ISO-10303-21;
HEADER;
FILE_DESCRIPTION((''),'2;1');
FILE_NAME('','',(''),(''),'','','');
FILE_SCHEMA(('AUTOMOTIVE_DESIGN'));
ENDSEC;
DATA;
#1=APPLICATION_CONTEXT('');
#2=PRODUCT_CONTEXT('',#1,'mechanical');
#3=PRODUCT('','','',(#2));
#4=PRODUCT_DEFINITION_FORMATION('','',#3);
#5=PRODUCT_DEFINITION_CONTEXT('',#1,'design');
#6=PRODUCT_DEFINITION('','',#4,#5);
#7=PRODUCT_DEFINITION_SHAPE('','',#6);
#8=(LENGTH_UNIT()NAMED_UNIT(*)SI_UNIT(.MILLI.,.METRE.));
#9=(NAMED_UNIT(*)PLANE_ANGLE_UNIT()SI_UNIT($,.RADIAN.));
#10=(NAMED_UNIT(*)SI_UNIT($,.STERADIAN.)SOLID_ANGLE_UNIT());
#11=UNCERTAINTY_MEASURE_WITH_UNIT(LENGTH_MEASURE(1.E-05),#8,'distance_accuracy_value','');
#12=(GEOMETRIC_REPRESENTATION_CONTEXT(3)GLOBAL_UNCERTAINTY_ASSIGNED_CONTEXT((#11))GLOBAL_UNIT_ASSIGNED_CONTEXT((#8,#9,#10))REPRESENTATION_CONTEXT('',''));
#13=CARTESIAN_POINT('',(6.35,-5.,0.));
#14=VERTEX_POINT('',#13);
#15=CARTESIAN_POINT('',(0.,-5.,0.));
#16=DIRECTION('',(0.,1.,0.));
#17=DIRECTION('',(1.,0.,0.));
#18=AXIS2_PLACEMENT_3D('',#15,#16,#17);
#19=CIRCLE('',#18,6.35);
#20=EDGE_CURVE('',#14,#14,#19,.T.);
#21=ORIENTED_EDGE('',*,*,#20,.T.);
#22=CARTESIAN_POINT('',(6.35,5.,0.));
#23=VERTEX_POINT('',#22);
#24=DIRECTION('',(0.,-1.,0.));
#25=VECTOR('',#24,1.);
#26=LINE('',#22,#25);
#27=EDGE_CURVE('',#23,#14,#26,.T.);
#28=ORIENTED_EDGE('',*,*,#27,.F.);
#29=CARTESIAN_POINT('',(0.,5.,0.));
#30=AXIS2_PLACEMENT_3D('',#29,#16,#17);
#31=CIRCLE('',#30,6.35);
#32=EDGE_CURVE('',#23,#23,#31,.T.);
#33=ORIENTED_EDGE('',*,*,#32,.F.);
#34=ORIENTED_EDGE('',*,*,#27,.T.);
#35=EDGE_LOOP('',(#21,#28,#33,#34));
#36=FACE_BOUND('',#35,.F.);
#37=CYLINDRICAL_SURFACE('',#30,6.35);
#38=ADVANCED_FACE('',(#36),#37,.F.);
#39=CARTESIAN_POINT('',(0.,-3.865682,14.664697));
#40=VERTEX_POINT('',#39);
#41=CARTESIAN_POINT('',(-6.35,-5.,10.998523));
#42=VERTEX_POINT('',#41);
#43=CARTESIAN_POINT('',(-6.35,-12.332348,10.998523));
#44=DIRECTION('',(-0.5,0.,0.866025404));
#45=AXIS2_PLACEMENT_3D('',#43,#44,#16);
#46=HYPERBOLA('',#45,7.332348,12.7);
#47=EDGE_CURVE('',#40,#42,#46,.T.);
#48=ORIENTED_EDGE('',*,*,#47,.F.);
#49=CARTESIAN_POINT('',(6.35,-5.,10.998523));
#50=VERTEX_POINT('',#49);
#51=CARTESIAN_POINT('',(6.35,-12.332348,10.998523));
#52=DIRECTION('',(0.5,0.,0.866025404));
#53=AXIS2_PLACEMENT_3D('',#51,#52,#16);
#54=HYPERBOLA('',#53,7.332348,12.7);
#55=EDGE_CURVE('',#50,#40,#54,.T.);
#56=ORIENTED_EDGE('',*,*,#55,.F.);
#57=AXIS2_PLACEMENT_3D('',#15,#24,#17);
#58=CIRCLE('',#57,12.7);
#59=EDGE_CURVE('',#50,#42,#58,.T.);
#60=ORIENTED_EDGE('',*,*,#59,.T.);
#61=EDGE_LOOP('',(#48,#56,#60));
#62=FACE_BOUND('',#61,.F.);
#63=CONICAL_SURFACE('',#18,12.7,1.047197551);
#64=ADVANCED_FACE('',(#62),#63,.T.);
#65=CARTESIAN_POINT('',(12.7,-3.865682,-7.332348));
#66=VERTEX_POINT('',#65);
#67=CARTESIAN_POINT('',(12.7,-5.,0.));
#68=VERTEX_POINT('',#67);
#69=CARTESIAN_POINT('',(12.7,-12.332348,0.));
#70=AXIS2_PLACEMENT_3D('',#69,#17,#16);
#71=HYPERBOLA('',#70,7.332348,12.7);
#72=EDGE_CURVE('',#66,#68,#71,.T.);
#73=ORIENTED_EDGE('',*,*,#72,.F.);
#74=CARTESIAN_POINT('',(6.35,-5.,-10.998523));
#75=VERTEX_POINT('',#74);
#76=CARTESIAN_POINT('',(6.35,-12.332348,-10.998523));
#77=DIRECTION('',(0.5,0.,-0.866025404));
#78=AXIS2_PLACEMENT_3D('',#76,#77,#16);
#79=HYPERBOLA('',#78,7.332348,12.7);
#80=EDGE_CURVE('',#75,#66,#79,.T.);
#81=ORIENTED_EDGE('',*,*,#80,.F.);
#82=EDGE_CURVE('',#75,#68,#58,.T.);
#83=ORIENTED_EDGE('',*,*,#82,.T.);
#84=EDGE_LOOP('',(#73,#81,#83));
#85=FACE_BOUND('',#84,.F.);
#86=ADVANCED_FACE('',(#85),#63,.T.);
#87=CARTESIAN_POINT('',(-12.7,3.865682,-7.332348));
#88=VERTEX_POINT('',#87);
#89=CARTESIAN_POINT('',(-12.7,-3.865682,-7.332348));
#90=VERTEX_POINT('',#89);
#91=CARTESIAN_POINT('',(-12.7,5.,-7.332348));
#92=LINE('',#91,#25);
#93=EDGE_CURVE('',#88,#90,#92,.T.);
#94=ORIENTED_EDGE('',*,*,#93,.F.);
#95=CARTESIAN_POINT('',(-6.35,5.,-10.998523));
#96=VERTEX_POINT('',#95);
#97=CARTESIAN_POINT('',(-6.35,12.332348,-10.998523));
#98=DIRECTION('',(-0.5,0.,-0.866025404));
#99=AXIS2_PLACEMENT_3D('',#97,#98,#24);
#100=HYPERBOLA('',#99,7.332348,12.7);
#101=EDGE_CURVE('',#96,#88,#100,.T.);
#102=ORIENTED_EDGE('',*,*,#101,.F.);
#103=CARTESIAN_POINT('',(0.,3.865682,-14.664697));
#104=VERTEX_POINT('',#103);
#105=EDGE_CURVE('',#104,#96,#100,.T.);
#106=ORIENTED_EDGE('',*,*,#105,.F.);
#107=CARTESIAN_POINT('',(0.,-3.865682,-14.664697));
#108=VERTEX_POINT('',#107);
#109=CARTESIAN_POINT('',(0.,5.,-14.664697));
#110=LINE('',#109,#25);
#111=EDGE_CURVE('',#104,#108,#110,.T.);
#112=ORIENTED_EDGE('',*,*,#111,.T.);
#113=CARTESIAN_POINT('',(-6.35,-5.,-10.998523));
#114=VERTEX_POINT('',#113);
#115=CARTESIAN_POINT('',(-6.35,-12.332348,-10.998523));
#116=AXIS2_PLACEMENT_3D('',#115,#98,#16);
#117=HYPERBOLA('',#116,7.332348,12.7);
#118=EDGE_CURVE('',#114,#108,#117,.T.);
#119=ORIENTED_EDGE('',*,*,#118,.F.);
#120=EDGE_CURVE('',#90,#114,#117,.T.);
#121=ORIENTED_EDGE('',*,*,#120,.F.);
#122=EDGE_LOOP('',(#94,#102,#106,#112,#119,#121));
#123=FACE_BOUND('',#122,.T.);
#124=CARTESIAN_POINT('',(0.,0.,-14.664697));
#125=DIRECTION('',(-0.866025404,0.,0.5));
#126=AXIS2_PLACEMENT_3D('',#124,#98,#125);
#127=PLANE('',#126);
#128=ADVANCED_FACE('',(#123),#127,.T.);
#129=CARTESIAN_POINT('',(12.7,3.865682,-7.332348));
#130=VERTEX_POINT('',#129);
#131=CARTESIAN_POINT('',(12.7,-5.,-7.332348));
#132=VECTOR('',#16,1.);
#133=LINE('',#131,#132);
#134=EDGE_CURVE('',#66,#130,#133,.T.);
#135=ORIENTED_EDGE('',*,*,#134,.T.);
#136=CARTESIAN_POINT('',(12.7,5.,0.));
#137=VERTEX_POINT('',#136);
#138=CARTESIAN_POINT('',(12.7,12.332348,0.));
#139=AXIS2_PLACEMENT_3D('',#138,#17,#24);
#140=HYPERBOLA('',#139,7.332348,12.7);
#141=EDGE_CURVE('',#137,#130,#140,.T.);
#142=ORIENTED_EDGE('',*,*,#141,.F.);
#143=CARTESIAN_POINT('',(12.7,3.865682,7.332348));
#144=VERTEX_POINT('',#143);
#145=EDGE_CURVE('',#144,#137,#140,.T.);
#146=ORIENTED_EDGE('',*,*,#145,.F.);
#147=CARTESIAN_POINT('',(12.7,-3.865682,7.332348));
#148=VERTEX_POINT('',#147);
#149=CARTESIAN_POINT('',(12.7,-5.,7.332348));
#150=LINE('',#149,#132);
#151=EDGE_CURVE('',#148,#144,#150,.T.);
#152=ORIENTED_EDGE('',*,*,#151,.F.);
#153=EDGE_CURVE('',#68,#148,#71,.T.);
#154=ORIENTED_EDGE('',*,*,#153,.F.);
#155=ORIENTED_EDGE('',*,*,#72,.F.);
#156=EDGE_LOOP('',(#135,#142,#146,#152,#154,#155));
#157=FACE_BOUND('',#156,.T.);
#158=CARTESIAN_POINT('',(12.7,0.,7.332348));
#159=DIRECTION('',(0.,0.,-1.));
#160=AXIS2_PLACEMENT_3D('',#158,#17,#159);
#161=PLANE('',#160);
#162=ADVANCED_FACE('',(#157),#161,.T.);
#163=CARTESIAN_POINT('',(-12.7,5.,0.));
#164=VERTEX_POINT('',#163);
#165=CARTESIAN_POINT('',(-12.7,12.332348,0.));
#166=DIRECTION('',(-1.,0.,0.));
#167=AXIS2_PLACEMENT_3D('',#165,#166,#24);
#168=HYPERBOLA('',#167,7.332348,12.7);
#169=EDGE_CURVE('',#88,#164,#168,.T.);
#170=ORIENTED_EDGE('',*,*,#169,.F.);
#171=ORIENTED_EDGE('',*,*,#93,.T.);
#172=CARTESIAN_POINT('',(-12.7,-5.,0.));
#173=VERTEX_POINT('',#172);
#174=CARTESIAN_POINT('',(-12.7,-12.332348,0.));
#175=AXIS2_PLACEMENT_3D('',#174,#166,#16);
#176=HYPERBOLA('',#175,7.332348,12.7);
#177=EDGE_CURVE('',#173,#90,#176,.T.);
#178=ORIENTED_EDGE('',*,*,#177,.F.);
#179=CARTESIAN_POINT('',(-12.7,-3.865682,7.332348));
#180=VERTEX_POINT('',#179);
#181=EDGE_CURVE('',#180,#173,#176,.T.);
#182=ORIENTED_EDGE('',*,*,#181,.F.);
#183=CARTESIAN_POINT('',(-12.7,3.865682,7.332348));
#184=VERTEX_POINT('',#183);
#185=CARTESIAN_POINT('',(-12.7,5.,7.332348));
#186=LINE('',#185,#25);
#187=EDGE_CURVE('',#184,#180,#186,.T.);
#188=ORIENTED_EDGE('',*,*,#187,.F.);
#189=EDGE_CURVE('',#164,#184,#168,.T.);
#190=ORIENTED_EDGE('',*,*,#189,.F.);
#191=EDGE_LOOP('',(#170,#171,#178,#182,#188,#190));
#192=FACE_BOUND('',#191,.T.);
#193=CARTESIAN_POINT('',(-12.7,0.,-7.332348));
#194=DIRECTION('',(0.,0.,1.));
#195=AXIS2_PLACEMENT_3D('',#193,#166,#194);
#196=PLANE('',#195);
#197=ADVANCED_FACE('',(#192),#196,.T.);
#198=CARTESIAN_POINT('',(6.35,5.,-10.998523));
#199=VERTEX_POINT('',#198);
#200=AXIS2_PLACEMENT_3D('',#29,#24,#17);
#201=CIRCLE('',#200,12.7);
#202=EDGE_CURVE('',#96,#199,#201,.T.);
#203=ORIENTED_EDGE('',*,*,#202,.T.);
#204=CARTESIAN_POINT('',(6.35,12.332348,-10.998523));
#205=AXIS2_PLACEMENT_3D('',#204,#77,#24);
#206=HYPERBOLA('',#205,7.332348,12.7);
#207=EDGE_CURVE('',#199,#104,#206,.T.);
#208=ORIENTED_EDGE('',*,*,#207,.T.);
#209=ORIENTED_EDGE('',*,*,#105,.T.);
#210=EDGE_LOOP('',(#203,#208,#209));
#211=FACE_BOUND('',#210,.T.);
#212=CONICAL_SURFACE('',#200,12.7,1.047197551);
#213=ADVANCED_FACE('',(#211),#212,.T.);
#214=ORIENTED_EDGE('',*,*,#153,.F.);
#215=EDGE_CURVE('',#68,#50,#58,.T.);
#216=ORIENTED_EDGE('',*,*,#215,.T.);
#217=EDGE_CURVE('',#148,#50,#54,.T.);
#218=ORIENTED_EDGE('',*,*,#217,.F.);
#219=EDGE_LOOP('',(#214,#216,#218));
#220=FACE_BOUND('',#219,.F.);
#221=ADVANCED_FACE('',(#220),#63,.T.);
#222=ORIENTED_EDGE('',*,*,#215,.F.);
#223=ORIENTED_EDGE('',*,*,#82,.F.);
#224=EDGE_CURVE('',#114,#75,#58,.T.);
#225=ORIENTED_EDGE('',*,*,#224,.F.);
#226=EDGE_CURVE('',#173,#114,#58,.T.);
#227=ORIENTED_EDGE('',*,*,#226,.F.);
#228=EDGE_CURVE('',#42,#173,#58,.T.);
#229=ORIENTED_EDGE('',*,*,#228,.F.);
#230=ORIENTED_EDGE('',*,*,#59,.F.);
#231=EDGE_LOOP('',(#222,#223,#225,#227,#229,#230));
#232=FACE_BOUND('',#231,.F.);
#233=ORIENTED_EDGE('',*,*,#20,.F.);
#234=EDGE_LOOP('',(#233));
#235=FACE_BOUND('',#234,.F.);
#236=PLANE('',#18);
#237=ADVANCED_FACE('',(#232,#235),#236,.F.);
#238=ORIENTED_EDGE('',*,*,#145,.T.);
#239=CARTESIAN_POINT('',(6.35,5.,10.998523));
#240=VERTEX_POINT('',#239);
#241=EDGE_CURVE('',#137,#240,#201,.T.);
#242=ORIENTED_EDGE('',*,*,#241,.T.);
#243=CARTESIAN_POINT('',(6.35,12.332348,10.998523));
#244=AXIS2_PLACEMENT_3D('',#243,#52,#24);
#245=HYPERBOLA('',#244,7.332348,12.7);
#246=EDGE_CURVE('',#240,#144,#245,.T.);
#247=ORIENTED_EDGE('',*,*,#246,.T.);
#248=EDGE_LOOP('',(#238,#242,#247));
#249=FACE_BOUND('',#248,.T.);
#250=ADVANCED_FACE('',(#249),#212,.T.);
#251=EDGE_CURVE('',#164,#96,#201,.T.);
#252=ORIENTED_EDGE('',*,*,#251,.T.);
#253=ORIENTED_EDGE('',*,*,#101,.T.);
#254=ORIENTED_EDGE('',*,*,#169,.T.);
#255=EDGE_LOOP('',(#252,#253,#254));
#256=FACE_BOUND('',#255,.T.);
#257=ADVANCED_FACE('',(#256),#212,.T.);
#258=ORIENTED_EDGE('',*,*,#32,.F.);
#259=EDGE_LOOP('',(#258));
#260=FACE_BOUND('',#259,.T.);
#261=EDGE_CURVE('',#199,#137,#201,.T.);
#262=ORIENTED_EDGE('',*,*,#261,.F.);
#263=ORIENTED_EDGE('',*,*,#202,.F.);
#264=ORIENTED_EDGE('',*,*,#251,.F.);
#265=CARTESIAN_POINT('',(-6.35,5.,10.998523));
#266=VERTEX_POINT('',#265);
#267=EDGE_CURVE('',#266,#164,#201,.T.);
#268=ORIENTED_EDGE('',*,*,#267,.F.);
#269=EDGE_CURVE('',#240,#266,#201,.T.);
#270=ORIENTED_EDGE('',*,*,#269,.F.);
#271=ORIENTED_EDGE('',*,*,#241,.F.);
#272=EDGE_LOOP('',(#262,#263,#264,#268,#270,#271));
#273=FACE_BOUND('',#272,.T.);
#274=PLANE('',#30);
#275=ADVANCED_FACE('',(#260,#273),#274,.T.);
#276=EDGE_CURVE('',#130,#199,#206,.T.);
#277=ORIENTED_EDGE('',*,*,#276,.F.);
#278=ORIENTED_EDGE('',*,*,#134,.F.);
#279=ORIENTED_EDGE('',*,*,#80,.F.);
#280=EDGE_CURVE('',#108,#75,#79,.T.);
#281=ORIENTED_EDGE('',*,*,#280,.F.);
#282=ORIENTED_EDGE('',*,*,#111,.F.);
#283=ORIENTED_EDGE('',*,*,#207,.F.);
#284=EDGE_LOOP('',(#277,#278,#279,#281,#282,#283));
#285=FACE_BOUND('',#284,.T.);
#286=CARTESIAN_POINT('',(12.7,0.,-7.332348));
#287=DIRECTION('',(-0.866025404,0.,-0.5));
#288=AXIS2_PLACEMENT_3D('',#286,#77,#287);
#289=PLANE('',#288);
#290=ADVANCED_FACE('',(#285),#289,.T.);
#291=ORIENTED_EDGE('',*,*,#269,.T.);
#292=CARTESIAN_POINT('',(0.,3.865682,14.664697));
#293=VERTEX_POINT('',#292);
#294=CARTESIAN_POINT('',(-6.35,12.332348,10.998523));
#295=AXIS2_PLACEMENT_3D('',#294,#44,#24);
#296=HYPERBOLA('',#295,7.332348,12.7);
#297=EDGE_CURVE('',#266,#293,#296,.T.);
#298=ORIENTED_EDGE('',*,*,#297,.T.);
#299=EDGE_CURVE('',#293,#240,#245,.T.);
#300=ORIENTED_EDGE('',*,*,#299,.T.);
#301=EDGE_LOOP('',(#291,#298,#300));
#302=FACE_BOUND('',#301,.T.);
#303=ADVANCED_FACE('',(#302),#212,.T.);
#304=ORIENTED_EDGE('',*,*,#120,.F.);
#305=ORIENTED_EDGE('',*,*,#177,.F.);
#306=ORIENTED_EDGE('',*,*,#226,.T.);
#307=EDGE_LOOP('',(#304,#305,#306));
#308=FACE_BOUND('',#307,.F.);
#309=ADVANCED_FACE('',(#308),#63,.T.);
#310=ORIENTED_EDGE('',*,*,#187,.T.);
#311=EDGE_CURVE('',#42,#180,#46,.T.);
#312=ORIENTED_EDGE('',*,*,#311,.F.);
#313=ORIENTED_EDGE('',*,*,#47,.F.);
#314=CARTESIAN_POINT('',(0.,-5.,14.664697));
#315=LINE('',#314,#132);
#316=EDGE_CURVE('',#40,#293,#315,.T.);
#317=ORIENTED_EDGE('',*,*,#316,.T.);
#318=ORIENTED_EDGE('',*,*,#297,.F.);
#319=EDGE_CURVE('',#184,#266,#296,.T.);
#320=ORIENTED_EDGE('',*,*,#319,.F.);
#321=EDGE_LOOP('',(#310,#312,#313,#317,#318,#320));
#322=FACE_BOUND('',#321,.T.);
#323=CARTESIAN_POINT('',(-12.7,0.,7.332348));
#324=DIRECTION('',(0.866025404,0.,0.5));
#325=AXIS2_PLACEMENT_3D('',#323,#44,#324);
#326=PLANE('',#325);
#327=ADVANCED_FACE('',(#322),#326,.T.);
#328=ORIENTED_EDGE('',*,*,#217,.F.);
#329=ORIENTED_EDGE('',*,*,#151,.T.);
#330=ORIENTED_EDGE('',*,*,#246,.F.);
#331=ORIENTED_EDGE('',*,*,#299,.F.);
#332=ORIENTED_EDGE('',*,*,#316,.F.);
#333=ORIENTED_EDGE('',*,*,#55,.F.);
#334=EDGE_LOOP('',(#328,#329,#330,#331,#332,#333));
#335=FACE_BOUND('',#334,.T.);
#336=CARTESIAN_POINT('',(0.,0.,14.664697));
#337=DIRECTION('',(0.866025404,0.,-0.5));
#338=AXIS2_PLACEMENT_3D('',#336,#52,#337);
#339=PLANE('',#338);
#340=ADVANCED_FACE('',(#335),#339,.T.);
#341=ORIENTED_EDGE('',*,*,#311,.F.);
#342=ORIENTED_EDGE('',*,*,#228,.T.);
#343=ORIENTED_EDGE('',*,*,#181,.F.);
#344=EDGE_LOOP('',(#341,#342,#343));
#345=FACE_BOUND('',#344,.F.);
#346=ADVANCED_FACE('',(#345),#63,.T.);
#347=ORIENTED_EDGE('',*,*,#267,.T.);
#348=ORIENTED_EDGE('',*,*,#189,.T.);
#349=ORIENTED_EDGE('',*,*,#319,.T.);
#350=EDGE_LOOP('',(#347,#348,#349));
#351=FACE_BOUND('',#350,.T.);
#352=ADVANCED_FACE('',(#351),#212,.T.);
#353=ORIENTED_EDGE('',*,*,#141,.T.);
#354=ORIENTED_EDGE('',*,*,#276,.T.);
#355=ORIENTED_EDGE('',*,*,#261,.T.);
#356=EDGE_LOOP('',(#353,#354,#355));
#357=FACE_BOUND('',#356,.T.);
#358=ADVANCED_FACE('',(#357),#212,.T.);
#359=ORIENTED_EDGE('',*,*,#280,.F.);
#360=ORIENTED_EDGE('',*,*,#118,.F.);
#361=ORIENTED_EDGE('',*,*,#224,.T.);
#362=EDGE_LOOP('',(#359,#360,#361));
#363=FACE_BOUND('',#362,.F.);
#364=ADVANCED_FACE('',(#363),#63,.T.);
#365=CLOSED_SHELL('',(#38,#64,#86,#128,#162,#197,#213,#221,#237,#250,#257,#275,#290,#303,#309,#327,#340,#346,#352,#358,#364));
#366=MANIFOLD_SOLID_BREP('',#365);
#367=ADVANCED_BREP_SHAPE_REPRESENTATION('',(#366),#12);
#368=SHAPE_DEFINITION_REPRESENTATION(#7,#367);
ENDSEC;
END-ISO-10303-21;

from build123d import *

# Parameters (mm, degrees)
BOSS_EXTRUDE1_DEPTH = 5
SKETCH2_R           = 6.35
CUT_EXTRUDE1_DEPTH  = 11
SKETCH3_OUTSIDE_W   = 73.518
SKETCH3_OUTSIDE_H   = 77.448
SKETCH3_OUTSIDE_R   = 12.7
CUT_EXTRUDE2_DEPTH  = 11
CUT_EXTRUDE2_TAPER  = 60


with BuildPart() as part:
    # Sketch1 → Boss-Extrude1 (new body, symmetric)
    with BuildSketch(Plane(origin=(0, 0, 0), x_dir=(1, 0, 0), z_dir=(0, 1, 0))):
        Polygon((-12.7, -7.332348419), (0, -14.664696837), (12.7, -7.332348419), (12.7, 7.332348419), (0, 14.664696837), (-12.7, 7.332348419), align=None)
    extrude(amount=BOSS_EXTRUDE1_DEPTH, both=True)

    # Sketch2 → Cut-Extrude1 (cut, through all)
    with BuildSketch(Plane(origin=(0, 5, 0), x_dir=(1, 0, 0), z_dir=(0, 1, 0))):
        Circle(SKETCH2_R)
    extrude(amount=-CUT_EXTRUDE1_DEPTH, mode=Mode.SUBTRACT)

    # Sketch3 outside → Cut-Extrude2 (cut, through all)
    with BuildSketch(Plane(origin=(0, 5, 0), x_dir=(1, 0, 0), z_dir=(0, 1, 0))):
        Rectangle(SKETCH3_OUTSIDE_W, SKETCH3_OUTSIDE_H)
        Circle(SKETCH3_OUTSIDE_R, mode=Mode.SUBTRACT)
    cut_extrude2 = extrude(amount=-CUT_EXTRUDE2_DEPTH, taper=CUT_EXTRUDE2_TAPER, mode=Mode.SUBTRACT)

    # Mirror1: Cut-Extrude2 across plane
    add(cut_extrude2.mirror(Plane.ZX), mode=Mode.SUBTRACT)


solid = part.part
